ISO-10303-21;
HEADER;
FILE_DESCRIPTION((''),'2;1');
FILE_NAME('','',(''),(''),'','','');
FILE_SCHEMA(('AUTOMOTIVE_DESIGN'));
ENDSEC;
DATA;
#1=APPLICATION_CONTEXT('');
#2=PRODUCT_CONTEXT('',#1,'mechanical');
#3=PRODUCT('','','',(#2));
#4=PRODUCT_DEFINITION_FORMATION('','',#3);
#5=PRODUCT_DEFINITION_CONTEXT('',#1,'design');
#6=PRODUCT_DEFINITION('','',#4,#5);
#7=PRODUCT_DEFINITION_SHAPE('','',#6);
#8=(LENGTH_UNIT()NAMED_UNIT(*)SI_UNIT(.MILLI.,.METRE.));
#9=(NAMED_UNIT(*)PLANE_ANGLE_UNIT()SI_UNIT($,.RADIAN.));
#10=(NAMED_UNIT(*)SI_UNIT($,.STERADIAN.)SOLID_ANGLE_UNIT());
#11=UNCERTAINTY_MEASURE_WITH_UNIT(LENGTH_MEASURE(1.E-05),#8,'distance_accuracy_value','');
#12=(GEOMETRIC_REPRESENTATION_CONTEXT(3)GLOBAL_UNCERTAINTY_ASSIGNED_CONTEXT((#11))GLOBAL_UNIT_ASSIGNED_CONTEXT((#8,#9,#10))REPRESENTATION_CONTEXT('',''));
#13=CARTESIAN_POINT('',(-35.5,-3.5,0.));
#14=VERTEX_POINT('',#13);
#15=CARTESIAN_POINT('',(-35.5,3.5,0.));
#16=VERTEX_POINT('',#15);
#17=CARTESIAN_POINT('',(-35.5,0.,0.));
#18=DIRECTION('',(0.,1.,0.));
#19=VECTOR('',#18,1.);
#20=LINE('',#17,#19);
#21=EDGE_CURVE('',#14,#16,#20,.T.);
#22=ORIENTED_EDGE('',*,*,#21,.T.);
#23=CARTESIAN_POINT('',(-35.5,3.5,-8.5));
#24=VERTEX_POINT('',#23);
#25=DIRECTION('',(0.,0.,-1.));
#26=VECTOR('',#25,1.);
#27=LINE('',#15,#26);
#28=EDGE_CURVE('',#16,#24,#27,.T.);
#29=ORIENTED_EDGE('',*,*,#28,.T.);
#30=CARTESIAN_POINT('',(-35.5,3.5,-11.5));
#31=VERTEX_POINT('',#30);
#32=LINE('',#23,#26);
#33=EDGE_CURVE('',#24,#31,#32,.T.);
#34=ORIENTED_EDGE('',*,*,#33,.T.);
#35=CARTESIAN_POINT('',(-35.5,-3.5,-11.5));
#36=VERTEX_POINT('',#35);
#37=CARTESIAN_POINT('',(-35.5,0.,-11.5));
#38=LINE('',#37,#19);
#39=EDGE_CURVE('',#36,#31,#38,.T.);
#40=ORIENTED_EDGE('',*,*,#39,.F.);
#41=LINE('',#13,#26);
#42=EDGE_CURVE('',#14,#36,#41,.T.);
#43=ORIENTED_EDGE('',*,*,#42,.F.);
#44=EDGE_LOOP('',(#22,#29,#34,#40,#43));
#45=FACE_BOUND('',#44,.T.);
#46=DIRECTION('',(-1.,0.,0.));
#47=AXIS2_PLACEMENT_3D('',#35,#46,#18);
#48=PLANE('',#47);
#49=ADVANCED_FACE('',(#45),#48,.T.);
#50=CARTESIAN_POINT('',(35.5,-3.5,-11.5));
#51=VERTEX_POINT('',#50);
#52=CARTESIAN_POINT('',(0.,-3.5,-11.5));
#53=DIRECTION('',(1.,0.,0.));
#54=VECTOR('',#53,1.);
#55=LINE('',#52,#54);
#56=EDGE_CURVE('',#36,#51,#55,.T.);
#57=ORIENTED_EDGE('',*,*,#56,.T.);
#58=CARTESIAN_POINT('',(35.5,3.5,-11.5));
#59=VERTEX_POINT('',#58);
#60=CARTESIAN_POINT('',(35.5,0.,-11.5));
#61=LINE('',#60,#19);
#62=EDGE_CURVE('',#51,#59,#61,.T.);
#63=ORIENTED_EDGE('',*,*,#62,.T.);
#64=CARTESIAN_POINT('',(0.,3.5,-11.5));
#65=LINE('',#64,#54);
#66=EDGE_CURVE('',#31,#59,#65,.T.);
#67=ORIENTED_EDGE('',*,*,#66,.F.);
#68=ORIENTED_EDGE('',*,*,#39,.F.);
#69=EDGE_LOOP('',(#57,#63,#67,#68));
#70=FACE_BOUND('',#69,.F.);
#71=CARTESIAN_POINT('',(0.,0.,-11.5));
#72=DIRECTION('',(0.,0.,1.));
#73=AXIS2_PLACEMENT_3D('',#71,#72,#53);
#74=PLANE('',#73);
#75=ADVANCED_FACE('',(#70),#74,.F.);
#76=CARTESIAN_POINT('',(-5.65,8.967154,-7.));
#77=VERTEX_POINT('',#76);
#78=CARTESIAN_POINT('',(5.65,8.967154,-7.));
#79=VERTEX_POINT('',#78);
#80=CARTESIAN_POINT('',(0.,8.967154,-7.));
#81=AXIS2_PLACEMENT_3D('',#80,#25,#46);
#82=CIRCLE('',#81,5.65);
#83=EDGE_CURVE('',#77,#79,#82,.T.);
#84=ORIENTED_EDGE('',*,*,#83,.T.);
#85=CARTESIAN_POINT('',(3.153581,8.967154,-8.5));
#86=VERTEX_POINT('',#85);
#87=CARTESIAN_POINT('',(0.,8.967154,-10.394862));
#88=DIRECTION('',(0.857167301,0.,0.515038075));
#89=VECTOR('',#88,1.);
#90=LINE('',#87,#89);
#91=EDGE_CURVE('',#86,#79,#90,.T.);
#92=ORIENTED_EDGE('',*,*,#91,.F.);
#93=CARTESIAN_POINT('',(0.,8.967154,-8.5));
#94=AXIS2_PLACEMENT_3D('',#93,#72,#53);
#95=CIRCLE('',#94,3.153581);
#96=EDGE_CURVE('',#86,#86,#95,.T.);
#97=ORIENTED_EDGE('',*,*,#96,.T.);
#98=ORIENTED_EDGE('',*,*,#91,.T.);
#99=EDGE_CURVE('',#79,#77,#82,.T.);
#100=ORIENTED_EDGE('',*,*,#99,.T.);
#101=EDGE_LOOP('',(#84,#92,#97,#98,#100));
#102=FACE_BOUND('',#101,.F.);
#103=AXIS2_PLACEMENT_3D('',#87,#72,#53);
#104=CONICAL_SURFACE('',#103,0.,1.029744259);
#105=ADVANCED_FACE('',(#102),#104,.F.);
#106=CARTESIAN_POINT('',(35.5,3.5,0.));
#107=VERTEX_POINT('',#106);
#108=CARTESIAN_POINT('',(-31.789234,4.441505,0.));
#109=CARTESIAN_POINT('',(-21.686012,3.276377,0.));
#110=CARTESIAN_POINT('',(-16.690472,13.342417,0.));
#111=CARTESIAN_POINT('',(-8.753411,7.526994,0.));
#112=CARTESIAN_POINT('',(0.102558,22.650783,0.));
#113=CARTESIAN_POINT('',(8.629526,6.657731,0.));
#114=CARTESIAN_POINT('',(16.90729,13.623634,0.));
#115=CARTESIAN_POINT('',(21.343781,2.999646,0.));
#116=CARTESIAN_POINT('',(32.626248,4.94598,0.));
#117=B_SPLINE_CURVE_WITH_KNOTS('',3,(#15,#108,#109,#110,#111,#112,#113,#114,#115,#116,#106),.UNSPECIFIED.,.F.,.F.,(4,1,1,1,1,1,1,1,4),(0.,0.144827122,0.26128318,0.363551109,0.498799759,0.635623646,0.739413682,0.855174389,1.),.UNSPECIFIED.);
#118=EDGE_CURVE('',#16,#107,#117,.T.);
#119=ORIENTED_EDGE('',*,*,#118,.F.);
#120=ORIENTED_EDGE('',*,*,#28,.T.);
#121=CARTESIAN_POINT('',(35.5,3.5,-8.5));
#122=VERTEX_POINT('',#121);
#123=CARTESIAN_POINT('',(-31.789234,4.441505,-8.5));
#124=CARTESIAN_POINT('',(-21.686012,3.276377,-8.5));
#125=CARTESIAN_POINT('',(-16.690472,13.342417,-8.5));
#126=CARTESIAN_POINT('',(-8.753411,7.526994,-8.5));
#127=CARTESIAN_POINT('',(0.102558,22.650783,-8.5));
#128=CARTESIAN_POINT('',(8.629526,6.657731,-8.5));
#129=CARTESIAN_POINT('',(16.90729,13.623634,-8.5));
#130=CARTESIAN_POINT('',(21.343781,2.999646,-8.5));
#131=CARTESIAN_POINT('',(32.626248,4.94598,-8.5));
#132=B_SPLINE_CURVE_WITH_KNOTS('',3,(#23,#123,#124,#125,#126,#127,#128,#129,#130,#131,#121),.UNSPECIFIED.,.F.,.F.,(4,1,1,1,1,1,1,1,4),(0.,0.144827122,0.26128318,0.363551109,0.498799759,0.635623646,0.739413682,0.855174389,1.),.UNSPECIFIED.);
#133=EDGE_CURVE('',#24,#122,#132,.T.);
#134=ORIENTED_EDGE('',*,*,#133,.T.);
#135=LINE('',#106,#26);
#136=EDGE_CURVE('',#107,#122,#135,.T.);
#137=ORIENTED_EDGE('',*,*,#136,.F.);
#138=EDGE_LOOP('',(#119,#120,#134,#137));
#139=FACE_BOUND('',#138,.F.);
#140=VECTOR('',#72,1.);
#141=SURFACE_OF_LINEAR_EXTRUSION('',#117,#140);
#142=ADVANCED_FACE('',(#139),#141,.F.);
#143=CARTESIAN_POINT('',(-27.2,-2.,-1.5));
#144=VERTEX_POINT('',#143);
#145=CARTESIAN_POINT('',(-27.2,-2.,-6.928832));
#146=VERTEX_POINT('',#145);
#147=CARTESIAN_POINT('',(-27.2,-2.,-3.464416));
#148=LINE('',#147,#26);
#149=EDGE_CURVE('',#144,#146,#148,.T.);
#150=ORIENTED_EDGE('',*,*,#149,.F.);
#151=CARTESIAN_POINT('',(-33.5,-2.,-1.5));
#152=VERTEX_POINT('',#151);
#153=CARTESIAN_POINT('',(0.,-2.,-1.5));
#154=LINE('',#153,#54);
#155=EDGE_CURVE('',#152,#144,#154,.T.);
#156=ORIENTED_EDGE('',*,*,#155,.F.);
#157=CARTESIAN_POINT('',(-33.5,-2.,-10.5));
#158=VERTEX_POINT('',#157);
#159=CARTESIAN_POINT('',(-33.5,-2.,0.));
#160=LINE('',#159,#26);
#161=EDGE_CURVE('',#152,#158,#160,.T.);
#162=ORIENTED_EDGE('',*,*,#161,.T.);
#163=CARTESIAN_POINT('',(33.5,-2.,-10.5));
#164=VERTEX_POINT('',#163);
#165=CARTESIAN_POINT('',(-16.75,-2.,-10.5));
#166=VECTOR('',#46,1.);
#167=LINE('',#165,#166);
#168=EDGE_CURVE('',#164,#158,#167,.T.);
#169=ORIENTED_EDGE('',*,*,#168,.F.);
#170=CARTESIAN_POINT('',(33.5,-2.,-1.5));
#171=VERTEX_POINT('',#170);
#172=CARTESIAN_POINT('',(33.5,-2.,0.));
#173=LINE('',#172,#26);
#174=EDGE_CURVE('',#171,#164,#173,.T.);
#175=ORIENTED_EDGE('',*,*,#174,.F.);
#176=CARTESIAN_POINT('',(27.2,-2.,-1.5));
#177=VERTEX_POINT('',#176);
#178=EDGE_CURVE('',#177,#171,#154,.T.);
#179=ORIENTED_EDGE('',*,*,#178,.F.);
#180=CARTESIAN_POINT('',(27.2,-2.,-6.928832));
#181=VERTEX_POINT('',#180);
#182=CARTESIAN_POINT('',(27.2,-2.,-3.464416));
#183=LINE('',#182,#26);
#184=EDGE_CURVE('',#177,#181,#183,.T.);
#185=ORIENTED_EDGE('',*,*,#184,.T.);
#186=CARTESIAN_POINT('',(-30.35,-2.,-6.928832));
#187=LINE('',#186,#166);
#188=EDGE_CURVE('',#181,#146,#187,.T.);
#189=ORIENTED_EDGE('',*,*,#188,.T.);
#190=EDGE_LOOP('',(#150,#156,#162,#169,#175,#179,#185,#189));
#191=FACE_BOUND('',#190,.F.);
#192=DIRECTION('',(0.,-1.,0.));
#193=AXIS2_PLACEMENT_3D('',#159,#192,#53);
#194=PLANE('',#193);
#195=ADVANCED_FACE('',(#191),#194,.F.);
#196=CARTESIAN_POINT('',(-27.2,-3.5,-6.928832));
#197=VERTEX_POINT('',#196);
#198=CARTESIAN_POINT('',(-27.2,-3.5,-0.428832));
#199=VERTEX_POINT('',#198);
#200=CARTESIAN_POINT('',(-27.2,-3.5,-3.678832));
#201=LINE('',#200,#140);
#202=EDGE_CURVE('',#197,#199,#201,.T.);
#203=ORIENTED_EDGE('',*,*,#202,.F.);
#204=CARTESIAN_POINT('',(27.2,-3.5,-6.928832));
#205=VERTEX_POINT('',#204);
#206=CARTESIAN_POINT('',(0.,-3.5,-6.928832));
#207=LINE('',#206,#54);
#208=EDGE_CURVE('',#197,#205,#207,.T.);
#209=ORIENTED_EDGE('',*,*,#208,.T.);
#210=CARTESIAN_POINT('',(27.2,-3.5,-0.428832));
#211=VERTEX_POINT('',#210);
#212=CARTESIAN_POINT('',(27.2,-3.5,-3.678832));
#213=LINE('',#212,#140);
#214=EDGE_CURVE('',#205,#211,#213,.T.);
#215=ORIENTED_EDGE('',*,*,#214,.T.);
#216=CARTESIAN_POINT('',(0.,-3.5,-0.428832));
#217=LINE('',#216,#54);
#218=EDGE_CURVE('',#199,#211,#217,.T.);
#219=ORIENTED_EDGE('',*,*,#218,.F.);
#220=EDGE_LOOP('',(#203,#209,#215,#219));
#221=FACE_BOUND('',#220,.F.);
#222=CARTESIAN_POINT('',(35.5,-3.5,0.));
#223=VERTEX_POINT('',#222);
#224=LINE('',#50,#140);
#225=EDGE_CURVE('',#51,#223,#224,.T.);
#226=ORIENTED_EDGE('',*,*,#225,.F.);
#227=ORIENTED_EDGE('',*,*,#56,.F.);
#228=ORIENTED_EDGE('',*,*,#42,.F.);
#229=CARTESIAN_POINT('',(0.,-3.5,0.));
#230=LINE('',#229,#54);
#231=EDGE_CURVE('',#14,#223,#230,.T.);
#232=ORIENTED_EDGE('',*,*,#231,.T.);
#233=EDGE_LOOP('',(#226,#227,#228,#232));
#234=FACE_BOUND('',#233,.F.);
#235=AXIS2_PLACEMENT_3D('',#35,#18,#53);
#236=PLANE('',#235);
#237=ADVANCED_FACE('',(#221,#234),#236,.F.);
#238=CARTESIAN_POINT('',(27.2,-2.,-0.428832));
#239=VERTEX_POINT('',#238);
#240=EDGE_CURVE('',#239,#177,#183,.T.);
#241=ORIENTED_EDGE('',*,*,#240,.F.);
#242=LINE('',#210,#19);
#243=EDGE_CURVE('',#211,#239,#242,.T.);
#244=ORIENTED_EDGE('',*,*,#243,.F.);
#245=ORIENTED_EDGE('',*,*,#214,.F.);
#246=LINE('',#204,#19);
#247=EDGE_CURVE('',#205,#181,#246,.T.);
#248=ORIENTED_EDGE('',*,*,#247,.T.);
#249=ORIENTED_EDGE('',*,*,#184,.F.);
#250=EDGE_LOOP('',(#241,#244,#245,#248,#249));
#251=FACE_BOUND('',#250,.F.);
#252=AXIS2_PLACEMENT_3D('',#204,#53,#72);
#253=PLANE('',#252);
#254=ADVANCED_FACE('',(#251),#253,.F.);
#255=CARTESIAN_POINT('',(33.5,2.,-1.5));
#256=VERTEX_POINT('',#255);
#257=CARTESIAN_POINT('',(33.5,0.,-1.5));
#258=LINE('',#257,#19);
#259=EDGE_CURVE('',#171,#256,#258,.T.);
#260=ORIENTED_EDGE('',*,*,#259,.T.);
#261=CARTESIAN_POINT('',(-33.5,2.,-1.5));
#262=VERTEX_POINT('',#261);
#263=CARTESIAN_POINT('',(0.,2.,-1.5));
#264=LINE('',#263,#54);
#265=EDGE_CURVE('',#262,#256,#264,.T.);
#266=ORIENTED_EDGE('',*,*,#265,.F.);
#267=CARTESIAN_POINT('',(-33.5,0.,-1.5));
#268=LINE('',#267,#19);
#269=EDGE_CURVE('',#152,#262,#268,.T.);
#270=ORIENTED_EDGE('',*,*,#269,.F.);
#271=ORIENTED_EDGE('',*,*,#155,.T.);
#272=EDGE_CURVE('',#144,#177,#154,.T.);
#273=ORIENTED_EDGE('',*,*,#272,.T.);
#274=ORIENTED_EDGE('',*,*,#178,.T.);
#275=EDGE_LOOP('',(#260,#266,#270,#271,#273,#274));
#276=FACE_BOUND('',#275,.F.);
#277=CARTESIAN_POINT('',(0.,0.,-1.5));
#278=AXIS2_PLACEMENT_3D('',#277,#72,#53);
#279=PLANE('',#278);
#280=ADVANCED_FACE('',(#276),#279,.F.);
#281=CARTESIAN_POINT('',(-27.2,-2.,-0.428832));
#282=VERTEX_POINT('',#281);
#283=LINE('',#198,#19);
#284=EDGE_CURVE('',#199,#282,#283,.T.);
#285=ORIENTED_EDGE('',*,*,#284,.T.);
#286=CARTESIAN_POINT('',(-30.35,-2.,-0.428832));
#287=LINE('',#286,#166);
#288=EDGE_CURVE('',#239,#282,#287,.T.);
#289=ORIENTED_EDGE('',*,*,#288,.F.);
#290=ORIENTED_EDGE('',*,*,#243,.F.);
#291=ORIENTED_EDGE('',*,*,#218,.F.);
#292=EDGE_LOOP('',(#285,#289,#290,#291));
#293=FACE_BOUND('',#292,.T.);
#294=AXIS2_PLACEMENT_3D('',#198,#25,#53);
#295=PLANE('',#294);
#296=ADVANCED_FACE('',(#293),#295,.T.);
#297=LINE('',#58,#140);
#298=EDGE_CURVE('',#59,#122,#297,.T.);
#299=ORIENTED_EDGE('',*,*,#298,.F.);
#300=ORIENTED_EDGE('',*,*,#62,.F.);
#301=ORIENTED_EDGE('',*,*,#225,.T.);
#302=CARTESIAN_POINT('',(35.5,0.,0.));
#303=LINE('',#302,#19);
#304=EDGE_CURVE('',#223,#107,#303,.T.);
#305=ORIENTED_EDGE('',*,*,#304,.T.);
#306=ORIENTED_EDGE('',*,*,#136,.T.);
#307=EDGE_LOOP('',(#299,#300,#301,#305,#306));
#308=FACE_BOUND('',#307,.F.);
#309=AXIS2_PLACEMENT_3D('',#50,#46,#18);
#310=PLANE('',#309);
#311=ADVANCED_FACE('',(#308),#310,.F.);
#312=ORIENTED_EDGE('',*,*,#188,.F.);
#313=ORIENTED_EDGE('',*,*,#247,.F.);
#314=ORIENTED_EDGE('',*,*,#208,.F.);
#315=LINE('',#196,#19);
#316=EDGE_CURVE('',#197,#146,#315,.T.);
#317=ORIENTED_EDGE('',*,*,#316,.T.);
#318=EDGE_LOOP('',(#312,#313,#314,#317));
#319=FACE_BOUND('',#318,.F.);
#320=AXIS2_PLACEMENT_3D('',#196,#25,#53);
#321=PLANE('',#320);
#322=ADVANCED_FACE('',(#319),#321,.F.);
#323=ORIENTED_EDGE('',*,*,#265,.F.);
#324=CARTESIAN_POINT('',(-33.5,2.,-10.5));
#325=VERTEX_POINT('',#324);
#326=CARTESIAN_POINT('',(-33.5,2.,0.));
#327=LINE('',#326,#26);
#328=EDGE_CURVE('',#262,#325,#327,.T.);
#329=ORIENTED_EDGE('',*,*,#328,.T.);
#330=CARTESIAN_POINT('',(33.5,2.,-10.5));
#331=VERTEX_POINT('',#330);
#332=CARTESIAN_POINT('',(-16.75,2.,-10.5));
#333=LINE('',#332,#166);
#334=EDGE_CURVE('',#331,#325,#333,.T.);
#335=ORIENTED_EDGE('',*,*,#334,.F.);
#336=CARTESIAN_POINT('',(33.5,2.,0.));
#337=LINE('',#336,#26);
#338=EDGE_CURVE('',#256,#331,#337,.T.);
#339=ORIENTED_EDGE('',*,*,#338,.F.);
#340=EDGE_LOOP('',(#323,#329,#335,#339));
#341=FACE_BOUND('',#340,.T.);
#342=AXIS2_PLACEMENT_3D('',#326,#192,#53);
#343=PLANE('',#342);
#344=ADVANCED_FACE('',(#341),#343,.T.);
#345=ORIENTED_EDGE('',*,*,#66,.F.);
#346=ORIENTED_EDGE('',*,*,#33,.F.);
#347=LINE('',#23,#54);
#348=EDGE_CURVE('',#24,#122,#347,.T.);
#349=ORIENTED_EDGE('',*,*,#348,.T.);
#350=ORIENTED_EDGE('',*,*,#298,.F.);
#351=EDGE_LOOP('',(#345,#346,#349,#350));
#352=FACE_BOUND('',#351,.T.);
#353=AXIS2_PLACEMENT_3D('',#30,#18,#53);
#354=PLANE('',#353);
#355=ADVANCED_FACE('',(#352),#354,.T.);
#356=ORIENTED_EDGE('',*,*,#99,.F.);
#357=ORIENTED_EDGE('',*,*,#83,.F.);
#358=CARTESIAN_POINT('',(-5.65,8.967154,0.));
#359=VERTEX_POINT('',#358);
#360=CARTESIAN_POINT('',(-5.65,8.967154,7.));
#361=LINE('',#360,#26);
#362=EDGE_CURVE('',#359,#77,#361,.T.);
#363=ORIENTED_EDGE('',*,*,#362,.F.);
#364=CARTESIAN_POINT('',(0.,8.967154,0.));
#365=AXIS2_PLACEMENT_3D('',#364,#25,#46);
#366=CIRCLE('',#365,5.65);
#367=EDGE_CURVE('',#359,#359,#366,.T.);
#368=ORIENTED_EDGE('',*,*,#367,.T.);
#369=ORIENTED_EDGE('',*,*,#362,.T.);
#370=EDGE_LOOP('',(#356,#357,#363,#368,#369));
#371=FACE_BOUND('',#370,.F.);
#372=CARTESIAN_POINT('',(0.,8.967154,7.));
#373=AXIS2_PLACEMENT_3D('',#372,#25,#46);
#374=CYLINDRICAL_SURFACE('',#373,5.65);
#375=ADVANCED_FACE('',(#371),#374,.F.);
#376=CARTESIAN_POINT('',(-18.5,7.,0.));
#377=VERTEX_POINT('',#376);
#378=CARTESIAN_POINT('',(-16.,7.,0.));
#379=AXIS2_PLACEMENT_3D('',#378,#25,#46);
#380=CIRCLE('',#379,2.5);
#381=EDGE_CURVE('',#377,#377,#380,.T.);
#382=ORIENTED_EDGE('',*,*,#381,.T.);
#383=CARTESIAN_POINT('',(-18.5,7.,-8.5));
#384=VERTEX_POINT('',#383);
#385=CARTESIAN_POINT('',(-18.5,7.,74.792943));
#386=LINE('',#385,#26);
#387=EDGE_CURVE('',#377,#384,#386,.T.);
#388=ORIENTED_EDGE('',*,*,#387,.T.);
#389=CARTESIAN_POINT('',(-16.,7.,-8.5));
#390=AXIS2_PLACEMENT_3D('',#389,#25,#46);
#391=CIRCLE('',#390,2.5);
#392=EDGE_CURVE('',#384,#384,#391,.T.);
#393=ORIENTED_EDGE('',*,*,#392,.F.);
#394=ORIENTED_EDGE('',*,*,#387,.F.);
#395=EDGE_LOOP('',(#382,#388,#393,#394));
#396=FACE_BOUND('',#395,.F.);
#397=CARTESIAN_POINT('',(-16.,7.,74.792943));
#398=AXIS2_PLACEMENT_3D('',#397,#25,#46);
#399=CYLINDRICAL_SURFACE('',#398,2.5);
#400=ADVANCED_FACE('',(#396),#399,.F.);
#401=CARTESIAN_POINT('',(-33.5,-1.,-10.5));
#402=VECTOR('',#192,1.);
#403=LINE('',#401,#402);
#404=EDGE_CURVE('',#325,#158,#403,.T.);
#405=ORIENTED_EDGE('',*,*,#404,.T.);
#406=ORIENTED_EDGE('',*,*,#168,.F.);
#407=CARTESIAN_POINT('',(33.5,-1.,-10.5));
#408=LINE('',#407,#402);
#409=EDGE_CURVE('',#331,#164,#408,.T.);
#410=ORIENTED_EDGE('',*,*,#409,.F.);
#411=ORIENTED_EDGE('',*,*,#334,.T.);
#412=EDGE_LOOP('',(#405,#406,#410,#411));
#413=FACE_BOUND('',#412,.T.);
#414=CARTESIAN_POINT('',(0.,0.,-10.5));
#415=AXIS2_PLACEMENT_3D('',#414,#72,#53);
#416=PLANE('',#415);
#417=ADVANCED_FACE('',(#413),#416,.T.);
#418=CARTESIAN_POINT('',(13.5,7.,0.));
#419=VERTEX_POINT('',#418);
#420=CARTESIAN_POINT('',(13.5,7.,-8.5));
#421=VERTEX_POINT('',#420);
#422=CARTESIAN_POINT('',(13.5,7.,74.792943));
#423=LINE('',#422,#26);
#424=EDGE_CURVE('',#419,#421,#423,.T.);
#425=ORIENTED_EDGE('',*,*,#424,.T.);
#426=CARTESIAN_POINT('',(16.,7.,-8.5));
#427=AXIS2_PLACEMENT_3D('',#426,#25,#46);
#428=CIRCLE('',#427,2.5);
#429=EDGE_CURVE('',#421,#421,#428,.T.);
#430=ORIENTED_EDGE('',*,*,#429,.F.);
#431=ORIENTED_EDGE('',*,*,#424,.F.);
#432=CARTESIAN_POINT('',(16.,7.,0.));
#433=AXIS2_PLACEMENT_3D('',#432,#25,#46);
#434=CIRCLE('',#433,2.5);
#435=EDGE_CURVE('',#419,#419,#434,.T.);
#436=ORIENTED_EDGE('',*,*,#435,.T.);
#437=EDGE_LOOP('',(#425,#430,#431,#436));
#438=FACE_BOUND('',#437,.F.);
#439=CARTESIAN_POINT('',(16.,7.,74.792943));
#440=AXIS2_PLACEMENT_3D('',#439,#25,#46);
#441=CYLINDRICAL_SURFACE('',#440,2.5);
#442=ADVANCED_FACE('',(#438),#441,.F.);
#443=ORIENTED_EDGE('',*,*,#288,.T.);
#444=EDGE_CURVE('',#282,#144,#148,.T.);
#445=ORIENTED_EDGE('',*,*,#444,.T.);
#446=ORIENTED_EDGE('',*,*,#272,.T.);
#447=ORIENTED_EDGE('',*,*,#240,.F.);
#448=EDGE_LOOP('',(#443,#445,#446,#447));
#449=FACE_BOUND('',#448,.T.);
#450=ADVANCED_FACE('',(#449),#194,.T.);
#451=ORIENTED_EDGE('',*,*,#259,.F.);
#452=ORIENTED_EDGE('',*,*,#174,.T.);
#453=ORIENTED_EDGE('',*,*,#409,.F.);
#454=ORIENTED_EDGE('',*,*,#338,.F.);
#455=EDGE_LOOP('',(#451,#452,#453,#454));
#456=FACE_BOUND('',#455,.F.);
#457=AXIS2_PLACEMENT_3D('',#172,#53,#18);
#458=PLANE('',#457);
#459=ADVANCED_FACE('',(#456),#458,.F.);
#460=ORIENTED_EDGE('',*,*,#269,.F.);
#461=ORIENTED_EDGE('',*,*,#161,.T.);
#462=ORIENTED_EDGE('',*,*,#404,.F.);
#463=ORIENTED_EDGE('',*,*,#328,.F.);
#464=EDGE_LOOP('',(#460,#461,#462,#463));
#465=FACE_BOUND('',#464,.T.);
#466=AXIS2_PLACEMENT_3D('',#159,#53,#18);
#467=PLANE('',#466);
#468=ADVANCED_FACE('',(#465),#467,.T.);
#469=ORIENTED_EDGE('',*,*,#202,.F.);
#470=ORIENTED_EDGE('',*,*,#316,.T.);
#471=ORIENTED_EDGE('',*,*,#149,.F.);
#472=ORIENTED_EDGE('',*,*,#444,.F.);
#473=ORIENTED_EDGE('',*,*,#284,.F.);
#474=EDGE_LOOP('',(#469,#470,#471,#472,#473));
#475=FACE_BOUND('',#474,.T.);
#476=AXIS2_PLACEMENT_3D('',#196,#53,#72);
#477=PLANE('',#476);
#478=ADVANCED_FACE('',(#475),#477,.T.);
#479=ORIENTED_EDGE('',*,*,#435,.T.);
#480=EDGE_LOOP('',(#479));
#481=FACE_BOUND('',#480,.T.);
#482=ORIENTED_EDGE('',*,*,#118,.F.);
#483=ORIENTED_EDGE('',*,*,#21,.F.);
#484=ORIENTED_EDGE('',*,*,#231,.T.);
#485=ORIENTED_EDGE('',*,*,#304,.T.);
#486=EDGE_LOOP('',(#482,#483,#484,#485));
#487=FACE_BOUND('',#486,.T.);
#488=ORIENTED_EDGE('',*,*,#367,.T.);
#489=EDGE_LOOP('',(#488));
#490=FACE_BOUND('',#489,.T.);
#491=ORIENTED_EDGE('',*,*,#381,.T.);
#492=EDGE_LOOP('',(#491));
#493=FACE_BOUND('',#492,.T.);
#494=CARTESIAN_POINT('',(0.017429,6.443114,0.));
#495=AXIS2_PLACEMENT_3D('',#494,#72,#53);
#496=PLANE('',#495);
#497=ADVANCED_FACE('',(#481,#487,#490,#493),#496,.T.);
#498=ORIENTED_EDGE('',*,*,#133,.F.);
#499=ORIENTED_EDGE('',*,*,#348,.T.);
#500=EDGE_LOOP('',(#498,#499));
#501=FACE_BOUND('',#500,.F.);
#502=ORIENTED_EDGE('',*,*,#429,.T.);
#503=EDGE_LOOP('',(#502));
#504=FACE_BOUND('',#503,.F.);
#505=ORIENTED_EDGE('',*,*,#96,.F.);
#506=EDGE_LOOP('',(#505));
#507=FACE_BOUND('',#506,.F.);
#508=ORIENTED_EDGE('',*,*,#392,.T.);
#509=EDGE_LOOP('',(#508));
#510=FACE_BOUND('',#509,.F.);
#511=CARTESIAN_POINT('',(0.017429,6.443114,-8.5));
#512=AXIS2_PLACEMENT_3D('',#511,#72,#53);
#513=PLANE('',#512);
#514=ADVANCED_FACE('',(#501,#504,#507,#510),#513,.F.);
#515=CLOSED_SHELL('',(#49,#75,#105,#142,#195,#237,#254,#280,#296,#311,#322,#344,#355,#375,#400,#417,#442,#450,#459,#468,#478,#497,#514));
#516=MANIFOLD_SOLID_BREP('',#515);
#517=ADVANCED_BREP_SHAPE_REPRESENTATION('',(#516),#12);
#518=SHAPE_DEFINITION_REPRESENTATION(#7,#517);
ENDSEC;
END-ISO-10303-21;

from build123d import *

# Parameters (mm, degrees)
F0_W      = 71
F0_H      = 7
F1_DEPTH  = 11.5
F2_DEPTH  = 8.5
F3_D      = 11.3
F3_DEPTH  = 7
F3_TIP    = 3.3948624975
F4_D      = 5
F5_W      = 54.4
F5_H      = 6.5
F6_DEPTH  = 2
F7_W      = 67
F7_H      = 4
F8_DEPTH  = 11
F9_DEPTH  = 1.5
F11_DEPTH = 1


with BuildPart() as f1:
    # F0 (on Top) → F1 (new body)
    with BuildSketch(Plane.XY):
        Rectangle(F0_W, F0_H)
    extrude(amount=-F1_DEPTH)

    # F0 (on Top) → F2 (join)
    with BuildSketch(Plane.XY):
        with BuildLine():
            Line((-35.5, 3.5), (35.5, 3.5))
            add(Edge.make_bspline(
                [(-35.5, 3.5), (-31.7892338116, 4.4415049229), (-21.6860122118, 3.2763770589), (-16.6904715647, 13.3424173057), (-8.7534108522, 7.526993845), (0.1025576313, 22.6507828449), (8.6295259929, 6.657731039), (16.9072898845, 13.6236338522), (21.3437807599, 2.9996457437), (32.6262475802, 4.9459796222), (35.5, 3.5)],
                knots=[0, 0, 0, 0, 0.1448271222, 0.2612831799, 0.3635511087, 0.4987997588, 0.6356236458, 0.7394136822, 0.8551743893, 1, 1, 1, 1], degree=3))
        make_face()
    extrude(amount=-F2_DEPTH)

    # F3
    with Locations(Plane.XY):
        with Locations((0, 8.967153728)):
            Hole(F3_D / 2, depth=F3_DEPTH)
            with Locations((0, 0, -(F3_DEPTH + F3_TIP / 2))):  # 118° drill point
                Cone(0, F3_D / 2, F3_TIP, mode=Mode.SUBTRACT)

    # F4 (through all)
    with Locations(Plane.XY):
        with Locations((-16, 7), (16, 7)):
            Hole(F4_D / 2)

    # F5 (on face) → F6 (cut)
    with BuildSketch(Plane.XZ.offset(3.5)):
        with Locations((0, -3.6788322031)):
            Rectangle(F5_W, F5_H)
    extrude(amount=-F6_DEPTH, mode=Mode.SUBTRACT)

    # F7 (on face) → F8 (cut)
    with BuildSketch(Plane.XY):
        Rectangle(F7_W, F7_H)
    extrude(amount=-F8_DEPTH, mode=Mode.SUBTRACT)

    # F7 (on face) → F9 (join)
    with BuildSketch(Plane.XY):
        Rectangle(F7_W, F7_H)
    extrude(amount=-F9_DEPTH)

    # F11 (add): a face of the model
    f11_faces = [f1.faces().sort_by_distance(p)[0] for p in [
        (0, 0, -11.5),
    ]]
    extrude(f11_faces, amount=-F11_DEPTH)


solid = f1.part
